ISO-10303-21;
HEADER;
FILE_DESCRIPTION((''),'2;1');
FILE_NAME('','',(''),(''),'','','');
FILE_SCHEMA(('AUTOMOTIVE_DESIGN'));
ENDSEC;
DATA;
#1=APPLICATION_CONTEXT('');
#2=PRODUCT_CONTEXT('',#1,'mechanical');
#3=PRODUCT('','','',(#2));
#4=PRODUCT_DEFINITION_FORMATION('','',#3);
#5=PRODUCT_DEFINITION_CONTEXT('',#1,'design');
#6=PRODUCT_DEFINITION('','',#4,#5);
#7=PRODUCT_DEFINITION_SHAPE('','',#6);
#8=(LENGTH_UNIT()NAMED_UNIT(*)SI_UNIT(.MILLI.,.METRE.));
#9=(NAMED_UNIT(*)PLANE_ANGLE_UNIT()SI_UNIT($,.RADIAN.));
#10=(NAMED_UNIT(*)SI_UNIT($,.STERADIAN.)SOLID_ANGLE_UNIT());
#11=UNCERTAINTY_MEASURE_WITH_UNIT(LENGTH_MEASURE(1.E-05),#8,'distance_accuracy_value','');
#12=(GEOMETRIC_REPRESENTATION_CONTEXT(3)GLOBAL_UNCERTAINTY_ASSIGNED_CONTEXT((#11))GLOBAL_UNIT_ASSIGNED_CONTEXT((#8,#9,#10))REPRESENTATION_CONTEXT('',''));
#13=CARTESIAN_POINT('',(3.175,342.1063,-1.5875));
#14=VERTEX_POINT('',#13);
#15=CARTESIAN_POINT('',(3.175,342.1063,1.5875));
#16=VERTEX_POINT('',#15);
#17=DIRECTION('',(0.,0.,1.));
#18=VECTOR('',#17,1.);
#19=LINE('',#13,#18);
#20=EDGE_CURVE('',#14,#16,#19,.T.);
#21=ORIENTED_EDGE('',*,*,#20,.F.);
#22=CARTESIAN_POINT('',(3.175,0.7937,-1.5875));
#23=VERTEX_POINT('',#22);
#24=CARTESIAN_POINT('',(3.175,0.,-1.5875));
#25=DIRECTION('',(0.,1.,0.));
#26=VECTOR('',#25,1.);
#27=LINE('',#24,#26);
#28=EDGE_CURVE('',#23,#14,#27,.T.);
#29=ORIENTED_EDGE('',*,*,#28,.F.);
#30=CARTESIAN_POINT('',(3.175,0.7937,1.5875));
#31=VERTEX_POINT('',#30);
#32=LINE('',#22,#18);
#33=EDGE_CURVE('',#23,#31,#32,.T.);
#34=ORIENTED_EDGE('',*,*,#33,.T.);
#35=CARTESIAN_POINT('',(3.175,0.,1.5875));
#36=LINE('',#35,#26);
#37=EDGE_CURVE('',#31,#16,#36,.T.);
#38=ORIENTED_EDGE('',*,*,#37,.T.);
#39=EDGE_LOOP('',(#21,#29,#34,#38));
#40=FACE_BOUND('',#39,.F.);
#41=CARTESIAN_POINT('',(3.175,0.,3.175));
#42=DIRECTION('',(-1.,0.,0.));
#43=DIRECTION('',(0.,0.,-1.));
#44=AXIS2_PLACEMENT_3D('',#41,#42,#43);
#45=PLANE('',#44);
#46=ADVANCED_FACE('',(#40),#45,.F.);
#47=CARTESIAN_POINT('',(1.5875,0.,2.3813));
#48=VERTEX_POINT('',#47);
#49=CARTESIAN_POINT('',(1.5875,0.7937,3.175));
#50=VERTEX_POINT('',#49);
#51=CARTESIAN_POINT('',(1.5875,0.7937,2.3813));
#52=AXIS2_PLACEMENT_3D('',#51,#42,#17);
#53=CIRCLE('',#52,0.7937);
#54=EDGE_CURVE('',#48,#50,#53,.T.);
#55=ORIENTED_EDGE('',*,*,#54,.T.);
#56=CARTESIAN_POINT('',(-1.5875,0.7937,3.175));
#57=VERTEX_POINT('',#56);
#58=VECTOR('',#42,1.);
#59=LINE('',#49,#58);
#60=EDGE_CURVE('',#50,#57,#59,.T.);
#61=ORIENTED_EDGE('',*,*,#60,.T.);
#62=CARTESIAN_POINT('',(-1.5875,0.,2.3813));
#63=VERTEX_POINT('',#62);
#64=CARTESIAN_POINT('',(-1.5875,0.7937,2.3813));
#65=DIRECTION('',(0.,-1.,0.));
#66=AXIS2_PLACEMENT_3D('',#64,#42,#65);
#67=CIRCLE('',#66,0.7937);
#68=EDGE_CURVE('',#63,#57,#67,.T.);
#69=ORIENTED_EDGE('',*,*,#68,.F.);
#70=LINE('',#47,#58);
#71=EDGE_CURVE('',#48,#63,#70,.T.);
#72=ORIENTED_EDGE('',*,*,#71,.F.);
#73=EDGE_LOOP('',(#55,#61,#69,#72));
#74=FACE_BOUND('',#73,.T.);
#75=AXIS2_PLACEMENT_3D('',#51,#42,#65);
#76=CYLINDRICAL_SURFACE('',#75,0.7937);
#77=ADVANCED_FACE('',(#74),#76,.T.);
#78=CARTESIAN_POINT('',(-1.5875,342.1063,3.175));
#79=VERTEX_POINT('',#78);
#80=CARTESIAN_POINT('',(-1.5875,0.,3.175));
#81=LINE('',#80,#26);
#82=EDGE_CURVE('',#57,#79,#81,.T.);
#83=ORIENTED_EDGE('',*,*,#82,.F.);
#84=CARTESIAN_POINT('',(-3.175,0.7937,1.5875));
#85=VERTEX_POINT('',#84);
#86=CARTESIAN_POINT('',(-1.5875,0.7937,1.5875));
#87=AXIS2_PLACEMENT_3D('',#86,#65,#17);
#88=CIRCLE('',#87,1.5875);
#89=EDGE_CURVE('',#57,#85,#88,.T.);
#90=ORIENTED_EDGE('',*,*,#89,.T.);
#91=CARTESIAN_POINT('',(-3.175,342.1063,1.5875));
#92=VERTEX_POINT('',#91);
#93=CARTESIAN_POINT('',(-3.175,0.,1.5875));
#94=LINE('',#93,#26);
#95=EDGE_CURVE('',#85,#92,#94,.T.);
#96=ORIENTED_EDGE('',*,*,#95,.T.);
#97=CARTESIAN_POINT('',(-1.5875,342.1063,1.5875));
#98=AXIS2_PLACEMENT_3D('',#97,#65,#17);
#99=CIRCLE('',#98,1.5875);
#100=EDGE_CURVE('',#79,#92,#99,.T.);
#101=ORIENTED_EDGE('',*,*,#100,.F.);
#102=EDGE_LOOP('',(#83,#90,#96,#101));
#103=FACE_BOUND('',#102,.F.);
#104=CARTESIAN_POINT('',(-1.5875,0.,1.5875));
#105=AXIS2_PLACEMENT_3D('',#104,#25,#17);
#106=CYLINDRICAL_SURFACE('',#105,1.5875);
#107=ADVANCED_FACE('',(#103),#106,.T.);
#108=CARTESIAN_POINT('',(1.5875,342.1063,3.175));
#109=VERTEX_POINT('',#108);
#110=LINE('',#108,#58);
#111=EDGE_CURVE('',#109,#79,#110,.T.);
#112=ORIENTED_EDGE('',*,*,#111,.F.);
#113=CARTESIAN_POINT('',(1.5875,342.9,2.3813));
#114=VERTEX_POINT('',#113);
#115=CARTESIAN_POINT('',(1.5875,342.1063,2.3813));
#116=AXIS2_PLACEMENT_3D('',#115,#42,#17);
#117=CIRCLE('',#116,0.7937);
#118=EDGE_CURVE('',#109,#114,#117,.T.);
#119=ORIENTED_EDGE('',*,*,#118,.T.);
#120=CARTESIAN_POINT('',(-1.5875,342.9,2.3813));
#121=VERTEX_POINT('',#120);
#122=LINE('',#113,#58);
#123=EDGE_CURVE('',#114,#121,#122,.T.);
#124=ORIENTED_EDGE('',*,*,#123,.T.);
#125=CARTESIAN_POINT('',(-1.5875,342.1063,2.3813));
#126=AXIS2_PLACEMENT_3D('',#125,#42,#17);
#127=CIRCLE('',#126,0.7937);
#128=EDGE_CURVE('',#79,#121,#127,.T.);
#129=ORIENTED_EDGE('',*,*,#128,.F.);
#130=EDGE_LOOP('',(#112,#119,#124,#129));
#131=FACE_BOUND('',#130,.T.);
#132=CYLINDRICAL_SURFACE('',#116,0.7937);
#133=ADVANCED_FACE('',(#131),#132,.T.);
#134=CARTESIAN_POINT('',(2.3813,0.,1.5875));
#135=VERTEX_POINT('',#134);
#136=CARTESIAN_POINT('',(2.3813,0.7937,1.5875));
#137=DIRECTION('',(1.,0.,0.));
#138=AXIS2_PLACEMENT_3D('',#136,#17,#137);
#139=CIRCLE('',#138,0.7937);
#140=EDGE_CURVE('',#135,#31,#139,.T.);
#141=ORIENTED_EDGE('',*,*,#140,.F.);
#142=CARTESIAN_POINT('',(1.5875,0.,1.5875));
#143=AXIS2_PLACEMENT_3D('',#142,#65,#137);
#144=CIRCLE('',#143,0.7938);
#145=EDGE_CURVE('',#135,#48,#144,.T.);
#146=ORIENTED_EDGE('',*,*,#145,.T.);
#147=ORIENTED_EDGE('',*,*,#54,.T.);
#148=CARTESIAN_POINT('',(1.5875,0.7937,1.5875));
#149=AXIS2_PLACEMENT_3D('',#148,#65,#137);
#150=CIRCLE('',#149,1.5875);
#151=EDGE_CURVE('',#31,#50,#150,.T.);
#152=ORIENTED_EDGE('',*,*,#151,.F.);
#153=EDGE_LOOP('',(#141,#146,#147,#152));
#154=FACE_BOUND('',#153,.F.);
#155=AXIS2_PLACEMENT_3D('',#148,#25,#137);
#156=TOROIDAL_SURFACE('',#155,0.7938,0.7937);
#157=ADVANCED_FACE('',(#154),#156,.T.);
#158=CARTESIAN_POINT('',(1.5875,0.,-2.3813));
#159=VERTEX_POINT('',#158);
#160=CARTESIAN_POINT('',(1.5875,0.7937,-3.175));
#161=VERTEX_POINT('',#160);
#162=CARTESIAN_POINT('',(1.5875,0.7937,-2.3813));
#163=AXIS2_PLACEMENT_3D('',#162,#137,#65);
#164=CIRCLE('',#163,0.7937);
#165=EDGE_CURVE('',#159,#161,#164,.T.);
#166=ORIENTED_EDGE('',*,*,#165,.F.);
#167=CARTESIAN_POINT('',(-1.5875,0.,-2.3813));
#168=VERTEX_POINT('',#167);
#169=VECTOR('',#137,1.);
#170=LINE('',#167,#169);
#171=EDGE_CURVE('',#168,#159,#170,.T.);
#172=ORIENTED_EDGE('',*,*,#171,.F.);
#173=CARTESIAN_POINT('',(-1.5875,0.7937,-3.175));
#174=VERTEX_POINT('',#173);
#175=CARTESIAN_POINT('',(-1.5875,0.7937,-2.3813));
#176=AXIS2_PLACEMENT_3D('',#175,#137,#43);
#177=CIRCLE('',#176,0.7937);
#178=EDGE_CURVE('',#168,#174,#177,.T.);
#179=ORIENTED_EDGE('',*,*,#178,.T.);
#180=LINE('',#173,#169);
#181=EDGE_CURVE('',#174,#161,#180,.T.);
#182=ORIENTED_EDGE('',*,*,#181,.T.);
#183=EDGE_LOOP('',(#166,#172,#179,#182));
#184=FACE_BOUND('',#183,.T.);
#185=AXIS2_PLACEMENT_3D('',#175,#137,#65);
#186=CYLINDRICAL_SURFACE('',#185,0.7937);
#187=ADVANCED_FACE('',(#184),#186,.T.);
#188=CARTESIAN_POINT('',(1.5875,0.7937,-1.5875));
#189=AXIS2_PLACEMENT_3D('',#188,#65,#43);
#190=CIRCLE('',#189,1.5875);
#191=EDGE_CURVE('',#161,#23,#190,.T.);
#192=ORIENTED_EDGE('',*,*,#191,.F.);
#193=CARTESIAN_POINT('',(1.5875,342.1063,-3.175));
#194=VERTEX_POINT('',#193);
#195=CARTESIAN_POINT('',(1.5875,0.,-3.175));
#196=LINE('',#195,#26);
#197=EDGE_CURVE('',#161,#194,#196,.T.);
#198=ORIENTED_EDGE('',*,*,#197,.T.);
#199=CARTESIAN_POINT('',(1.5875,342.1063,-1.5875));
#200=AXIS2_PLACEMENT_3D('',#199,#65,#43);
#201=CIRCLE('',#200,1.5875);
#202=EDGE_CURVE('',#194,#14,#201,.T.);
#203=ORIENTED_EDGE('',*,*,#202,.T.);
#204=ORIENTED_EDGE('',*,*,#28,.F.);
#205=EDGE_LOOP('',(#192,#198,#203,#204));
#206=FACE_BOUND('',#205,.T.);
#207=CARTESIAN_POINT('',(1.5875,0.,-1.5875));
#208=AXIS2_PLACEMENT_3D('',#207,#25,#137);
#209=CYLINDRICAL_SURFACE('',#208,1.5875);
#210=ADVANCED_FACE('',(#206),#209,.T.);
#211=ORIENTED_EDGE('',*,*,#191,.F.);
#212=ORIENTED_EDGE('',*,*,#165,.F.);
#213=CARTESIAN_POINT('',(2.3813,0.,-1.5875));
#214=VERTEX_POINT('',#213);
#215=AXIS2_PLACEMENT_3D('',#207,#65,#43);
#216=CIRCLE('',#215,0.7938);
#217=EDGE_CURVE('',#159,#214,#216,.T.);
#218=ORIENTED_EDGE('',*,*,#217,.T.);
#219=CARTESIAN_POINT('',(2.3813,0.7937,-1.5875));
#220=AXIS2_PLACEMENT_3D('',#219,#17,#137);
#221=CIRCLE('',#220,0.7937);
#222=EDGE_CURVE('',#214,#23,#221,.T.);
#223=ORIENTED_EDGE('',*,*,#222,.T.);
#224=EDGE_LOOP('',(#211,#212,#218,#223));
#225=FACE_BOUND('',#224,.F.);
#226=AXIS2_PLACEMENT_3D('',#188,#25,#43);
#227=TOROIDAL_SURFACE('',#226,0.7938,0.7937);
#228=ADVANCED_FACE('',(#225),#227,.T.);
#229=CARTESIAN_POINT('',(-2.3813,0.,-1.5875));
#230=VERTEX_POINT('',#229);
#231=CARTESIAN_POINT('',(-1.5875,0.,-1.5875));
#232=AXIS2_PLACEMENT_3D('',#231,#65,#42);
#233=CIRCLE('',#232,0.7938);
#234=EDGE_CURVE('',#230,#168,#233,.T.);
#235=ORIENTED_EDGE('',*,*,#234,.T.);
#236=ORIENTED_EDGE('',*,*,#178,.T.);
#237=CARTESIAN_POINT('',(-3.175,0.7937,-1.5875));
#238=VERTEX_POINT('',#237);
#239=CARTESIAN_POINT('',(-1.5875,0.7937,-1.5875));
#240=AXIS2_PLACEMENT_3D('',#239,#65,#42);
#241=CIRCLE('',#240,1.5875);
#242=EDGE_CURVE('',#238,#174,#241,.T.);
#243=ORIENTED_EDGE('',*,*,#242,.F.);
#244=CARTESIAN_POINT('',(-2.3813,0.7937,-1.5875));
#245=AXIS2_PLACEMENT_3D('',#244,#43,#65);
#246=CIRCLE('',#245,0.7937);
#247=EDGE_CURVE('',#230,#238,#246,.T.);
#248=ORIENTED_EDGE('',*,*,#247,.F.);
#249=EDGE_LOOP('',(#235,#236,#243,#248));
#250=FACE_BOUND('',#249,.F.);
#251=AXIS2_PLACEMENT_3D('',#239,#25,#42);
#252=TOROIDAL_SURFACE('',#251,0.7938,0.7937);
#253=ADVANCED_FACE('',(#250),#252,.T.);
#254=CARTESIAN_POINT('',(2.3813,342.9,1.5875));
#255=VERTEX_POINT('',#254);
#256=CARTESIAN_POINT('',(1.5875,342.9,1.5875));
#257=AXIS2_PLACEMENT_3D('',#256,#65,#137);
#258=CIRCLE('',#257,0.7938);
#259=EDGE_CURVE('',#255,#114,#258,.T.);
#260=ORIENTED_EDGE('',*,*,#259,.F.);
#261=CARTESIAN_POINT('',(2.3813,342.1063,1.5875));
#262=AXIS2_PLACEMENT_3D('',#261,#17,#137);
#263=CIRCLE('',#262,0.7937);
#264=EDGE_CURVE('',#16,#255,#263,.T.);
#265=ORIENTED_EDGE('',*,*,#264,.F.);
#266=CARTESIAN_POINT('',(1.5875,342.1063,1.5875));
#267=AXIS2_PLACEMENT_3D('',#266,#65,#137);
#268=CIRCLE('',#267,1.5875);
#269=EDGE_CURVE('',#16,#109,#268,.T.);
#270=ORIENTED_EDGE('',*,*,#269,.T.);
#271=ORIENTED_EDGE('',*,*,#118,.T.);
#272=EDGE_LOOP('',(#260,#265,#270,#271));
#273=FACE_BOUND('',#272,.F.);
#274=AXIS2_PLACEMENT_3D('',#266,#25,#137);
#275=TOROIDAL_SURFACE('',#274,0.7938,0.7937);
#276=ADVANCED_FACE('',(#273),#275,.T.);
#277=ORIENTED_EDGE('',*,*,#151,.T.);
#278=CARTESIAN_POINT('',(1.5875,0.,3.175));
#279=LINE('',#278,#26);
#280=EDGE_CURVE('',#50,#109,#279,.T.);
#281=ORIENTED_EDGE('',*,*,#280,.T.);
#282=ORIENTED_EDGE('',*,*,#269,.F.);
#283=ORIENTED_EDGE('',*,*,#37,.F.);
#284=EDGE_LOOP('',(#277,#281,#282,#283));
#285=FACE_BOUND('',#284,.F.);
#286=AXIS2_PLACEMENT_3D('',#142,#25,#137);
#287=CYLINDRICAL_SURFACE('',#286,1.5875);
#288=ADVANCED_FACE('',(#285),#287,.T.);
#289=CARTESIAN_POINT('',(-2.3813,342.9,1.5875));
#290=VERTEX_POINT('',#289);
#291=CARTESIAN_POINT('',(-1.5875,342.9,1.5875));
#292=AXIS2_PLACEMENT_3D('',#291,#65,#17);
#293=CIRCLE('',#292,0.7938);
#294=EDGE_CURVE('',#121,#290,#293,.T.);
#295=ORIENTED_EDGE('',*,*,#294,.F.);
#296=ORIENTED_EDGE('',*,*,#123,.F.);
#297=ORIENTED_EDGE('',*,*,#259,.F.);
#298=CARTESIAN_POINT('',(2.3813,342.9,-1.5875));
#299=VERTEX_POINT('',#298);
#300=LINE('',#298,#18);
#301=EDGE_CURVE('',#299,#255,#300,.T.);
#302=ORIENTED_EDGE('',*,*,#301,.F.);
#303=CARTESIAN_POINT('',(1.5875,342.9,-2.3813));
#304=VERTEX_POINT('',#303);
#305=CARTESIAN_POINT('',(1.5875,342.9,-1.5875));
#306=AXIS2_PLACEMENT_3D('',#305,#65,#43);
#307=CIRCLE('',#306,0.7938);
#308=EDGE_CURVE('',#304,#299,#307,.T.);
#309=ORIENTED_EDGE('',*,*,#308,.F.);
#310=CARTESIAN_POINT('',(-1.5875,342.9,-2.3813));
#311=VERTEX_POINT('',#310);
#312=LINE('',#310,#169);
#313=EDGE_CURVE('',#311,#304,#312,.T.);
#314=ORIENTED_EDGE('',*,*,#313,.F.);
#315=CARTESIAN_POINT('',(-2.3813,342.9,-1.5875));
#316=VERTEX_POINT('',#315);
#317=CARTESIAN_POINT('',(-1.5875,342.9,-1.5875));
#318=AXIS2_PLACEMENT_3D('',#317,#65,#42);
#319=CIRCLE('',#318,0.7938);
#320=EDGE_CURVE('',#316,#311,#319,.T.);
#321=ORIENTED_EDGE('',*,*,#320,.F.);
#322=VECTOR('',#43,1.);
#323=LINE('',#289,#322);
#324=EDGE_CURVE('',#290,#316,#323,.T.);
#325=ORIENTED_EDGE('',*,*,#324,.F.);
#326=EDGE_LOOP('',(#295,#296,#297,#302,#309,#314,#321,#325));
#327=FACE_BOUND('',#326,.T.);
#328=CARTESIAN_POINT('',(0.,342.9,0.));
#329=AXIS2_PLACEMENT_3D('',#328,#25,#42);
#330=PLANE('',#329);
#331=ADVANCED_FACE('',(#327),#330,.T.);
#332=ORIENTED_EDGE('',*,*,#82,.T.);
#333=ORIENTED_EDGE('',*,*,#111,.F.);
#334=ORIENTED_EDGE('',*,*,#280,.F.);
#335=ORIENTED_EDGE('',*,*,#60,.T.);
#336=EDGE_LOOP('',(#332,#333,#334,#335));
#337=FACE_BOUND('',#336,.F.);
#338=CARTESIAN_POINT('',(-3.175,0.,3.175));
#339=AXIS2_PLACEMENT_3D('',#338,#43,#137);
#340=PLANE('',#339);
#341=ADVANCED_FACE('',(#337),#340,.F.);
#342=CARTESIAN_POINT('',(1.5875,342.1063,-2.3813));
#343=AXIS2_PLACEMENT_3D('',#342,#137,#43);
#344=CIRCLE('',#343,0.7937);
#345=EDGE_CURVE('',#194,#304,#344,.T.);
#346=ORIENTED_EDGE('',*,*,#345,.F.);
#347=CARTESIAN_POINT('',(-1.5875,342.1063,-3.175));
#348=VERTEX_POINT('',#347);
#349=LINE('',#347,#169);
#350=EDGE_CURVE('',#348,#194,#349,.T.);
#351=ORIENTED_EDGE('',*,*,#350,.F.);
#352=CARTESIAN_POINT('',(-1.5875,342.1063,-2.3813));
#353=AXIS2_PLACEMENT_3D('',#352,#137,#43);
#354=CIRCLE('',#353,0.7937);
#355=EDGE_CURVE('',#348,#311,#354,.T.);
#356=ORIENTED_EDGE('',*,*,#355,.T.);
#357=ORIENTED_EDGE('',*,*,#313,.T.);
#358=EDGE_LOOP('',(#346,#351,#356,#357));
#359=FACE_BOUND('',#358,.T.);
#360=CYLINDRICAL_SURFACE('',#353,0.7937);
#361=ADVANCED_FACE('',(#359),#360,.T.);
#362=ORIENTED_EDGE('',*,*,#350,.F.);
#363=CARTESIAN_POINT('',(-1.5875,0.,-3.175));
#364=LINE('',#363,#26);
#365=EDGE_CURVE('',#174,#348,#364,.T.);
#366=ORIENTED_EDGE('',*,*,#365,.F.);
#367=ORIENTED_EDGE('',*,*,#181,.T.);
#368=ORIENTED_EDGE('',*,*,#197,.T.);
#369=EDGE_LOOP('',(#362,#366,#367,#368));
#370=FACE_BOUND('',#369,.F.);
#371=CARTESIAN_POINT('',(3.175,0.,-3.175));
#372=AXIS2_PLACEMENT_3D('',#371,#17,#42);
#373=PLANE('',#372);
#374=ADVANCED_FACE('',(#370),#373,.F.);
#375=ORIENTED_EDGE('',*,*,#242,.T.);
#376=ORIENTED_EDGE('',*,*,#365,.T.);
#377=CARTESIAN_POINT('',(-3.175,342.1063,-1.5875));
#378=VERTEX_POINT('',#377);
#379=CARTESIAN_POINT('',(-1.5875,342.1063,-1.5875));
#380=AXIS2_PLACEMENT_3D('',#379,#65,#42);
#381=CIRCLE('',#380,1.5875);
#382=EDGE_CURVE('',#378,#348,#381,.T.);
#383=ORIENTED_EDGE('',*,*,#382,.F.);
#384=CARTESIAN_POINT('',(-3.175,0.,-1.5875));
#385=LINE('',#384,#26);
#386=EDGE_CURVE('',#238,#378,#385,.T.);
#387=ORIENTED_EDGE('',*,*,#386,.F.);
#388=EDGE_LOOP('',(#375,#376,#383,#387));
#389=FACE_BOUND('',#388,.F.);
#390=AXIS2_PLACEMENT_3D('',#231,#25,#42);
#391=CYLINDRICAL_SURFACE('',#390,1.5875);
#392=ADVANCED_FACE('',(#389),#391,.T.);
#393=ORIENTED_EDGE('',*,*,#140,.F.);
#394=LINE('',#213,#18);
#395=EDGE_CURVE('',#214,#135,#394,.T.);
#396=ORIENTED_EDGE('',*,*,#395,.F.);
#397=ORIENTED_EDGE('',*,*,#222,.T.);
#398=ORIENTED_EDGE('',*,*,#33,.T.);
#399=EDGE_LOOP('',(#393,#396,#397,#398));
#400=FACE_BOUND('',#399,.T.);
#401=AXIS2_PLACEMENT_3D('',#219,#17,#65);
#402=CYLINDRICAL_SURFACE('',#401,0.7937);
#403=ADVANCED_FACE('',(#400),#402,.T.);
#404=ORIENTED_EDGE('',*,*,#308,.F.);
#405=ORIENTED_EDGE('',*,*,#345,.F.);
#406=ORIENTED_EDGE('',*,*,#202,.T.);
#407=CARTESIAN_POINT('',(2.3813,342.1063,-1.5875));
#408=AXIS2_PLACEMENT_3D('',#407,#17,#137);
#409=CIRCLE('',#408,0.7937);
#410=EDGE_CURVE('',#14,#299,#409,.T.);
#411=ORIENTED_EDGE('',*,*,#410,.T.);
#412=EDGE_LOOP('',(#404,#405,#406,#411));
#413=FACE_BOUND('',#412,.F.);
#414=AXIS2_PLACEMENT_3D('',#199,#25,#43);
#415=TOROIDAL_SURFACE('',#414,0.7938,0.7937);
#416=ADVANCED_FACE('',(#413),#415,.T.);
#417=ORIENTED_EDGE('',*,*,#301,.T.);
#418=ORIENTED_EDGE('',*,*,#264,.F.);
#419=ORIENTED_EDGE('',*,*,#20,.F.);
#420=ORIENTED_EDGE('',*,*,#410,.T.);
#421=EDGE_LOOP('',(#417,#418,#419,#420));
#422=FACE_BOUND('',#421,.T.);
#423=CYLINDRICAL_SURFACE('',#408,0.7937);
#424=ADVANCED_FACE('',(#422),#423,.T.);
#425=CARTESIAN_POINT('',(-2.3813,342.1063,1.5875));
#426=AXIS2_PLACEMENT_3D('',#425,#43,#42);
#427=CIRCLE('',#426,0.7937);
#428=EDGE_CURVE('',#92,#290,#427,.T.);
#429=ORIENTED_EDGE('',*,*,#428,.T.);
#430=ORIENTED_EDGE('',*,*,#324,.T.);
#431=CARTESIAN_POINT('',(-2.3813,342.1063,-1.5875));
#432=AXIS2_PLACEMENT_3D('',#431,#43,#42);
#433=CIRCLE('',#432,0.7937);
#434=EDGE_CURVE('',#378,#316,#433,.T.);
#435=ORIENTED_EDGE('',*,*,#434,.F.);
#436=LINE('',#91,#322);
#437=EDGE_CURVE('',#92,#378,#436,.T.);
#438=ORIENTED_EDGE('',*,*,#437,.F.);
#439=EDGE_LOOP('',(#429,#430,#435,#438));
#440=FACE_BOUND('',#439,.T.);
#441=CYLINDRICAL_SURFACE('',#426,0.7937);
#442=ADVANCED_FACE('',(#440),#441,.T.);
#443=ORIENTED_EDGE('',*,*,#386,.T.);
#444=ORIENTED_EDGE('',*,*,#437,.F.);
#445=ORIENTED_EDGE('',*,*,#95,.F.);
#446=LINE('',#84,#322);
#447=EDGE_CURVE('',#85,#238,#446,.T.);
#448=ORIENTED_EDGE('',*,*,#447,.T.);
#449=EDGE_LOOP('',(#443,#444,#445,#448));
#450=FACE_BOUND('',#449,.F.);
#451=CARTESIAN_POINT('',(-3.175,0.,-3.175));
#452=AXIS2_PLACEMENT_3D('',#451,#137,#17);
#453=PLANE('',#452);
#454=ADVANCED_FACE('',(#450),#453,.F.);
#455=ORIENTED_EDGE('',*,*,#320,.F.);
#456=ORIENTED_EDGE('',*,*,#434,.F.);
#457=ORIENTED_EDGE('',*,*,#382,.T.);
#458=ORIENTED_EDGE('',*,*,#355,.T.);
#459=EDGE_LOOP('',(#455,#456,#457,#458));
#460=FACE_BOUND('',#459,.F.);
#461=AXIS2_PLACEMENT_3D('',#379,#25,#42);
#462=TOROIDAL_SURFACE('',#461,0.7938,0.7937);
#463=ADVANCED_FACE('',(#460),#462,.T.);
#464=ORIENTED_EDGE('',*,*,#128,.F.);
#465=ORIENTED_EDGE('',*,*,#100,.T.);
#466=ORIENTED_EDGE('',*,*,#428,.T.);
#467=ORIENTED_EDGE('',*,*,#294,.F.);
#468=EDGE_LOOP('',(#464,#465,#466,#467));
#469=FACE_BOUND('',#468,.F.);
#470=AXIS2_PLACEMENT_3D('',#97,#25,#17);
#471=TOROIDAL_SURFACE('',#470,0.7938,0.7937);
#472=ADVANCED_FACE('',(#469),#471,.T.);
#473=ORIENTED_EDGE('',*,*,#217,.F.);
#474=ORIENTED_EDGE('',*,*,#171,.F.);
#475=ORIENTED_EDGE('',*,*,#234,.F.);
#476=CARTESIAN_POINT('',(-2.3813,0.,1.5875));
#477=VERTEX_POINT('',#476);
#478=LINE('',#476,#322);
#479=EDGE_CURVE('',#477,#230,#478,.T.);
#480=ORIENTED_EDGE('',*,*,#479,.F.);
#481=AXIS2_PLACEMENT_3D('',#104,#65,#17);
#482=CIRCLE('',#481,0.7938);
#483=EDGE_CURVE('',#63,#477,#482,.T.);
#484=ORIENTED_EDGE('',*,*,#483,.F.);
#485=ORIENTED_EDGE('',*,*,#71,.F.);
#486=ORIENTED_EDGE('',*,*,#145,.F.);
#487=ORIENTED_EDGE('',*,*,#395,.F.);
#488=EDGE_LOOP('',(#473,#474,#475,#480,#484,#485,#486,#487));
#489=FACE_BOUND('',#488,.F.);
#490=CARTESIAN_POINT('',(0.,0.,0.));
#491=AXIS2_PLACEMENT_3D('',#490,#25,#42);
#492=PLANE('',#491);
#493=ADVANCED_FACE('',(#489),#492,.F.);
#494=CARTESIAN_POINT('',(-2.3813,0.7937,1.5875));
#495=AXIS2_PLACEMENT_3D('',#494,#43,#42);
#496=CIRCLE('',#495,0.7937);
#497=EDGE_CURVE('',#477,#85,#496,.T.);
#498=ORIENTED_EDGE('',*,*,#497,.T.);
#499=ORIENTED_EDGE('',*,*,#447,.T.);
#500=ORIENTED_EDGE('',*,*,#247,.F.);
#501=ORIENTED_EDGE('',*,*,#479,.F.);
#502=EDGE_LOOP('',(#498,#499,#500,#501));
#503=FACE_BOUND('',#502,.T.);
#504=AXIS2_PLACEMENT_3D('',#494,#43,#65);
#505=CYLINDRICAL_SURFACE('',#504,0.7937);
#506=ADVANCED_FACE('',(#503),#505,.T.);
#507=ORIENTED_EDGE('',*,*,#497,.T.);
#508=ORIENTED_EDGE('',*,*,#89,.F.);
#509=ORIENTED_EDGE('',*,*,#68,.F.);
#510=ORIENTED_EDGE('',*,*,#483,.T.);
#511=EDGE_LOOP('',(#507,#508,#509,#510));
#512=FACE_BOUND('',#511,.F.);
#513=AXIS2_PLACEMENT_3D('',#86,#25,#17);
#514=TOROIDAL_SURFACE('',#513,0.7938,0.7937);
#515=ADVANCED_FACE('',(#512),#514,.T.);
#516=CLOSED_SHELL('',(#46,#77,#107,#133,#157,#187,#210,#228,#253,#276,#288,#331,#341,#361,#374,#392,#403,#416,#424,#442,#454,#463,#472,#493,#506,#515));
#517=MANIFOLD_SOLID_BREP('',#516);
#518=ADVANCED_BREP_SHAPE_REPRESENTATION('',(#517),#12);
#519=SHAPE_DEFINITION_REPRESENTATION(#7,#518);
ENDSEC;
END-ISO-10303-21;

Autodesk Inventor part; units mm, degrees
ref_plane "YZ Plane" through (0, 0, 0) normal (1, 0, 0) x (0, 1, 0)
ref_plane "XZ Plane" through (0, 0, 0) normal (0, 1, 0) x (-1, 0, 0)
ref_plane "XY Plane" through (0, 0, 0) normal (0, 0, 1) x (1, 0, 0)
sketch "Sketch1" plane through (0, 0, 0) normal (0, 1, 0) x (-1, 0, 0)
  line L0 (-3.175, -3.175) -> (3.175, -3.175)
  line L1 (3.175, -3.175) -> (3.175, 3.175)
  line L2 (3.175, 3.175) -> (-3.175, 3.175)
  line L3 (-3.175, 3.175) -> (-3.175, -3.175)
  line L4 (-3.175, -3.175) -> (3.175, 3.175) construction
  line L5 (3.175, -3.175) -> (-3.175, 3.175) construction
  point P0 (0, 0)
  dimension "d0" = 6.35
  dimension "d1" = 6.35
extrude "Extrusion1" add sketch "Sketch1" along normal blind 342.9
fillet "Fillet1" radius 1.5875 4 edges at (3.175, 171.45, 3.175) (3.175, 171.45, -3.175) (-3.175, 171.45, 3.175) (-3.175, 171.45, -3.175)
fillet "Fillet2" radius 0.7937 16 edges at (2.71, 0, 2.71) (3.175, 0, 0) (2.71, 0, -2.71) (0, 0, -3.175) (-2.71, 0, -2.71) (-3.175, 0, 0) (-2.71, 0, 2.71) (0, 0, 3.175) (2.71, 342.9, 2.71) (3.175, 342.9, 0) (2.71, 342.9, -2.71) (0, 342.9, -3.175) (-2.71, 342.9, -2.71) (-3.175, 342.9, 0) (-2.71, 342.9, 2.71) (0, 342.9, 3.175)
properties part number "13.5in hs shaft" material "Stainless Steel"
